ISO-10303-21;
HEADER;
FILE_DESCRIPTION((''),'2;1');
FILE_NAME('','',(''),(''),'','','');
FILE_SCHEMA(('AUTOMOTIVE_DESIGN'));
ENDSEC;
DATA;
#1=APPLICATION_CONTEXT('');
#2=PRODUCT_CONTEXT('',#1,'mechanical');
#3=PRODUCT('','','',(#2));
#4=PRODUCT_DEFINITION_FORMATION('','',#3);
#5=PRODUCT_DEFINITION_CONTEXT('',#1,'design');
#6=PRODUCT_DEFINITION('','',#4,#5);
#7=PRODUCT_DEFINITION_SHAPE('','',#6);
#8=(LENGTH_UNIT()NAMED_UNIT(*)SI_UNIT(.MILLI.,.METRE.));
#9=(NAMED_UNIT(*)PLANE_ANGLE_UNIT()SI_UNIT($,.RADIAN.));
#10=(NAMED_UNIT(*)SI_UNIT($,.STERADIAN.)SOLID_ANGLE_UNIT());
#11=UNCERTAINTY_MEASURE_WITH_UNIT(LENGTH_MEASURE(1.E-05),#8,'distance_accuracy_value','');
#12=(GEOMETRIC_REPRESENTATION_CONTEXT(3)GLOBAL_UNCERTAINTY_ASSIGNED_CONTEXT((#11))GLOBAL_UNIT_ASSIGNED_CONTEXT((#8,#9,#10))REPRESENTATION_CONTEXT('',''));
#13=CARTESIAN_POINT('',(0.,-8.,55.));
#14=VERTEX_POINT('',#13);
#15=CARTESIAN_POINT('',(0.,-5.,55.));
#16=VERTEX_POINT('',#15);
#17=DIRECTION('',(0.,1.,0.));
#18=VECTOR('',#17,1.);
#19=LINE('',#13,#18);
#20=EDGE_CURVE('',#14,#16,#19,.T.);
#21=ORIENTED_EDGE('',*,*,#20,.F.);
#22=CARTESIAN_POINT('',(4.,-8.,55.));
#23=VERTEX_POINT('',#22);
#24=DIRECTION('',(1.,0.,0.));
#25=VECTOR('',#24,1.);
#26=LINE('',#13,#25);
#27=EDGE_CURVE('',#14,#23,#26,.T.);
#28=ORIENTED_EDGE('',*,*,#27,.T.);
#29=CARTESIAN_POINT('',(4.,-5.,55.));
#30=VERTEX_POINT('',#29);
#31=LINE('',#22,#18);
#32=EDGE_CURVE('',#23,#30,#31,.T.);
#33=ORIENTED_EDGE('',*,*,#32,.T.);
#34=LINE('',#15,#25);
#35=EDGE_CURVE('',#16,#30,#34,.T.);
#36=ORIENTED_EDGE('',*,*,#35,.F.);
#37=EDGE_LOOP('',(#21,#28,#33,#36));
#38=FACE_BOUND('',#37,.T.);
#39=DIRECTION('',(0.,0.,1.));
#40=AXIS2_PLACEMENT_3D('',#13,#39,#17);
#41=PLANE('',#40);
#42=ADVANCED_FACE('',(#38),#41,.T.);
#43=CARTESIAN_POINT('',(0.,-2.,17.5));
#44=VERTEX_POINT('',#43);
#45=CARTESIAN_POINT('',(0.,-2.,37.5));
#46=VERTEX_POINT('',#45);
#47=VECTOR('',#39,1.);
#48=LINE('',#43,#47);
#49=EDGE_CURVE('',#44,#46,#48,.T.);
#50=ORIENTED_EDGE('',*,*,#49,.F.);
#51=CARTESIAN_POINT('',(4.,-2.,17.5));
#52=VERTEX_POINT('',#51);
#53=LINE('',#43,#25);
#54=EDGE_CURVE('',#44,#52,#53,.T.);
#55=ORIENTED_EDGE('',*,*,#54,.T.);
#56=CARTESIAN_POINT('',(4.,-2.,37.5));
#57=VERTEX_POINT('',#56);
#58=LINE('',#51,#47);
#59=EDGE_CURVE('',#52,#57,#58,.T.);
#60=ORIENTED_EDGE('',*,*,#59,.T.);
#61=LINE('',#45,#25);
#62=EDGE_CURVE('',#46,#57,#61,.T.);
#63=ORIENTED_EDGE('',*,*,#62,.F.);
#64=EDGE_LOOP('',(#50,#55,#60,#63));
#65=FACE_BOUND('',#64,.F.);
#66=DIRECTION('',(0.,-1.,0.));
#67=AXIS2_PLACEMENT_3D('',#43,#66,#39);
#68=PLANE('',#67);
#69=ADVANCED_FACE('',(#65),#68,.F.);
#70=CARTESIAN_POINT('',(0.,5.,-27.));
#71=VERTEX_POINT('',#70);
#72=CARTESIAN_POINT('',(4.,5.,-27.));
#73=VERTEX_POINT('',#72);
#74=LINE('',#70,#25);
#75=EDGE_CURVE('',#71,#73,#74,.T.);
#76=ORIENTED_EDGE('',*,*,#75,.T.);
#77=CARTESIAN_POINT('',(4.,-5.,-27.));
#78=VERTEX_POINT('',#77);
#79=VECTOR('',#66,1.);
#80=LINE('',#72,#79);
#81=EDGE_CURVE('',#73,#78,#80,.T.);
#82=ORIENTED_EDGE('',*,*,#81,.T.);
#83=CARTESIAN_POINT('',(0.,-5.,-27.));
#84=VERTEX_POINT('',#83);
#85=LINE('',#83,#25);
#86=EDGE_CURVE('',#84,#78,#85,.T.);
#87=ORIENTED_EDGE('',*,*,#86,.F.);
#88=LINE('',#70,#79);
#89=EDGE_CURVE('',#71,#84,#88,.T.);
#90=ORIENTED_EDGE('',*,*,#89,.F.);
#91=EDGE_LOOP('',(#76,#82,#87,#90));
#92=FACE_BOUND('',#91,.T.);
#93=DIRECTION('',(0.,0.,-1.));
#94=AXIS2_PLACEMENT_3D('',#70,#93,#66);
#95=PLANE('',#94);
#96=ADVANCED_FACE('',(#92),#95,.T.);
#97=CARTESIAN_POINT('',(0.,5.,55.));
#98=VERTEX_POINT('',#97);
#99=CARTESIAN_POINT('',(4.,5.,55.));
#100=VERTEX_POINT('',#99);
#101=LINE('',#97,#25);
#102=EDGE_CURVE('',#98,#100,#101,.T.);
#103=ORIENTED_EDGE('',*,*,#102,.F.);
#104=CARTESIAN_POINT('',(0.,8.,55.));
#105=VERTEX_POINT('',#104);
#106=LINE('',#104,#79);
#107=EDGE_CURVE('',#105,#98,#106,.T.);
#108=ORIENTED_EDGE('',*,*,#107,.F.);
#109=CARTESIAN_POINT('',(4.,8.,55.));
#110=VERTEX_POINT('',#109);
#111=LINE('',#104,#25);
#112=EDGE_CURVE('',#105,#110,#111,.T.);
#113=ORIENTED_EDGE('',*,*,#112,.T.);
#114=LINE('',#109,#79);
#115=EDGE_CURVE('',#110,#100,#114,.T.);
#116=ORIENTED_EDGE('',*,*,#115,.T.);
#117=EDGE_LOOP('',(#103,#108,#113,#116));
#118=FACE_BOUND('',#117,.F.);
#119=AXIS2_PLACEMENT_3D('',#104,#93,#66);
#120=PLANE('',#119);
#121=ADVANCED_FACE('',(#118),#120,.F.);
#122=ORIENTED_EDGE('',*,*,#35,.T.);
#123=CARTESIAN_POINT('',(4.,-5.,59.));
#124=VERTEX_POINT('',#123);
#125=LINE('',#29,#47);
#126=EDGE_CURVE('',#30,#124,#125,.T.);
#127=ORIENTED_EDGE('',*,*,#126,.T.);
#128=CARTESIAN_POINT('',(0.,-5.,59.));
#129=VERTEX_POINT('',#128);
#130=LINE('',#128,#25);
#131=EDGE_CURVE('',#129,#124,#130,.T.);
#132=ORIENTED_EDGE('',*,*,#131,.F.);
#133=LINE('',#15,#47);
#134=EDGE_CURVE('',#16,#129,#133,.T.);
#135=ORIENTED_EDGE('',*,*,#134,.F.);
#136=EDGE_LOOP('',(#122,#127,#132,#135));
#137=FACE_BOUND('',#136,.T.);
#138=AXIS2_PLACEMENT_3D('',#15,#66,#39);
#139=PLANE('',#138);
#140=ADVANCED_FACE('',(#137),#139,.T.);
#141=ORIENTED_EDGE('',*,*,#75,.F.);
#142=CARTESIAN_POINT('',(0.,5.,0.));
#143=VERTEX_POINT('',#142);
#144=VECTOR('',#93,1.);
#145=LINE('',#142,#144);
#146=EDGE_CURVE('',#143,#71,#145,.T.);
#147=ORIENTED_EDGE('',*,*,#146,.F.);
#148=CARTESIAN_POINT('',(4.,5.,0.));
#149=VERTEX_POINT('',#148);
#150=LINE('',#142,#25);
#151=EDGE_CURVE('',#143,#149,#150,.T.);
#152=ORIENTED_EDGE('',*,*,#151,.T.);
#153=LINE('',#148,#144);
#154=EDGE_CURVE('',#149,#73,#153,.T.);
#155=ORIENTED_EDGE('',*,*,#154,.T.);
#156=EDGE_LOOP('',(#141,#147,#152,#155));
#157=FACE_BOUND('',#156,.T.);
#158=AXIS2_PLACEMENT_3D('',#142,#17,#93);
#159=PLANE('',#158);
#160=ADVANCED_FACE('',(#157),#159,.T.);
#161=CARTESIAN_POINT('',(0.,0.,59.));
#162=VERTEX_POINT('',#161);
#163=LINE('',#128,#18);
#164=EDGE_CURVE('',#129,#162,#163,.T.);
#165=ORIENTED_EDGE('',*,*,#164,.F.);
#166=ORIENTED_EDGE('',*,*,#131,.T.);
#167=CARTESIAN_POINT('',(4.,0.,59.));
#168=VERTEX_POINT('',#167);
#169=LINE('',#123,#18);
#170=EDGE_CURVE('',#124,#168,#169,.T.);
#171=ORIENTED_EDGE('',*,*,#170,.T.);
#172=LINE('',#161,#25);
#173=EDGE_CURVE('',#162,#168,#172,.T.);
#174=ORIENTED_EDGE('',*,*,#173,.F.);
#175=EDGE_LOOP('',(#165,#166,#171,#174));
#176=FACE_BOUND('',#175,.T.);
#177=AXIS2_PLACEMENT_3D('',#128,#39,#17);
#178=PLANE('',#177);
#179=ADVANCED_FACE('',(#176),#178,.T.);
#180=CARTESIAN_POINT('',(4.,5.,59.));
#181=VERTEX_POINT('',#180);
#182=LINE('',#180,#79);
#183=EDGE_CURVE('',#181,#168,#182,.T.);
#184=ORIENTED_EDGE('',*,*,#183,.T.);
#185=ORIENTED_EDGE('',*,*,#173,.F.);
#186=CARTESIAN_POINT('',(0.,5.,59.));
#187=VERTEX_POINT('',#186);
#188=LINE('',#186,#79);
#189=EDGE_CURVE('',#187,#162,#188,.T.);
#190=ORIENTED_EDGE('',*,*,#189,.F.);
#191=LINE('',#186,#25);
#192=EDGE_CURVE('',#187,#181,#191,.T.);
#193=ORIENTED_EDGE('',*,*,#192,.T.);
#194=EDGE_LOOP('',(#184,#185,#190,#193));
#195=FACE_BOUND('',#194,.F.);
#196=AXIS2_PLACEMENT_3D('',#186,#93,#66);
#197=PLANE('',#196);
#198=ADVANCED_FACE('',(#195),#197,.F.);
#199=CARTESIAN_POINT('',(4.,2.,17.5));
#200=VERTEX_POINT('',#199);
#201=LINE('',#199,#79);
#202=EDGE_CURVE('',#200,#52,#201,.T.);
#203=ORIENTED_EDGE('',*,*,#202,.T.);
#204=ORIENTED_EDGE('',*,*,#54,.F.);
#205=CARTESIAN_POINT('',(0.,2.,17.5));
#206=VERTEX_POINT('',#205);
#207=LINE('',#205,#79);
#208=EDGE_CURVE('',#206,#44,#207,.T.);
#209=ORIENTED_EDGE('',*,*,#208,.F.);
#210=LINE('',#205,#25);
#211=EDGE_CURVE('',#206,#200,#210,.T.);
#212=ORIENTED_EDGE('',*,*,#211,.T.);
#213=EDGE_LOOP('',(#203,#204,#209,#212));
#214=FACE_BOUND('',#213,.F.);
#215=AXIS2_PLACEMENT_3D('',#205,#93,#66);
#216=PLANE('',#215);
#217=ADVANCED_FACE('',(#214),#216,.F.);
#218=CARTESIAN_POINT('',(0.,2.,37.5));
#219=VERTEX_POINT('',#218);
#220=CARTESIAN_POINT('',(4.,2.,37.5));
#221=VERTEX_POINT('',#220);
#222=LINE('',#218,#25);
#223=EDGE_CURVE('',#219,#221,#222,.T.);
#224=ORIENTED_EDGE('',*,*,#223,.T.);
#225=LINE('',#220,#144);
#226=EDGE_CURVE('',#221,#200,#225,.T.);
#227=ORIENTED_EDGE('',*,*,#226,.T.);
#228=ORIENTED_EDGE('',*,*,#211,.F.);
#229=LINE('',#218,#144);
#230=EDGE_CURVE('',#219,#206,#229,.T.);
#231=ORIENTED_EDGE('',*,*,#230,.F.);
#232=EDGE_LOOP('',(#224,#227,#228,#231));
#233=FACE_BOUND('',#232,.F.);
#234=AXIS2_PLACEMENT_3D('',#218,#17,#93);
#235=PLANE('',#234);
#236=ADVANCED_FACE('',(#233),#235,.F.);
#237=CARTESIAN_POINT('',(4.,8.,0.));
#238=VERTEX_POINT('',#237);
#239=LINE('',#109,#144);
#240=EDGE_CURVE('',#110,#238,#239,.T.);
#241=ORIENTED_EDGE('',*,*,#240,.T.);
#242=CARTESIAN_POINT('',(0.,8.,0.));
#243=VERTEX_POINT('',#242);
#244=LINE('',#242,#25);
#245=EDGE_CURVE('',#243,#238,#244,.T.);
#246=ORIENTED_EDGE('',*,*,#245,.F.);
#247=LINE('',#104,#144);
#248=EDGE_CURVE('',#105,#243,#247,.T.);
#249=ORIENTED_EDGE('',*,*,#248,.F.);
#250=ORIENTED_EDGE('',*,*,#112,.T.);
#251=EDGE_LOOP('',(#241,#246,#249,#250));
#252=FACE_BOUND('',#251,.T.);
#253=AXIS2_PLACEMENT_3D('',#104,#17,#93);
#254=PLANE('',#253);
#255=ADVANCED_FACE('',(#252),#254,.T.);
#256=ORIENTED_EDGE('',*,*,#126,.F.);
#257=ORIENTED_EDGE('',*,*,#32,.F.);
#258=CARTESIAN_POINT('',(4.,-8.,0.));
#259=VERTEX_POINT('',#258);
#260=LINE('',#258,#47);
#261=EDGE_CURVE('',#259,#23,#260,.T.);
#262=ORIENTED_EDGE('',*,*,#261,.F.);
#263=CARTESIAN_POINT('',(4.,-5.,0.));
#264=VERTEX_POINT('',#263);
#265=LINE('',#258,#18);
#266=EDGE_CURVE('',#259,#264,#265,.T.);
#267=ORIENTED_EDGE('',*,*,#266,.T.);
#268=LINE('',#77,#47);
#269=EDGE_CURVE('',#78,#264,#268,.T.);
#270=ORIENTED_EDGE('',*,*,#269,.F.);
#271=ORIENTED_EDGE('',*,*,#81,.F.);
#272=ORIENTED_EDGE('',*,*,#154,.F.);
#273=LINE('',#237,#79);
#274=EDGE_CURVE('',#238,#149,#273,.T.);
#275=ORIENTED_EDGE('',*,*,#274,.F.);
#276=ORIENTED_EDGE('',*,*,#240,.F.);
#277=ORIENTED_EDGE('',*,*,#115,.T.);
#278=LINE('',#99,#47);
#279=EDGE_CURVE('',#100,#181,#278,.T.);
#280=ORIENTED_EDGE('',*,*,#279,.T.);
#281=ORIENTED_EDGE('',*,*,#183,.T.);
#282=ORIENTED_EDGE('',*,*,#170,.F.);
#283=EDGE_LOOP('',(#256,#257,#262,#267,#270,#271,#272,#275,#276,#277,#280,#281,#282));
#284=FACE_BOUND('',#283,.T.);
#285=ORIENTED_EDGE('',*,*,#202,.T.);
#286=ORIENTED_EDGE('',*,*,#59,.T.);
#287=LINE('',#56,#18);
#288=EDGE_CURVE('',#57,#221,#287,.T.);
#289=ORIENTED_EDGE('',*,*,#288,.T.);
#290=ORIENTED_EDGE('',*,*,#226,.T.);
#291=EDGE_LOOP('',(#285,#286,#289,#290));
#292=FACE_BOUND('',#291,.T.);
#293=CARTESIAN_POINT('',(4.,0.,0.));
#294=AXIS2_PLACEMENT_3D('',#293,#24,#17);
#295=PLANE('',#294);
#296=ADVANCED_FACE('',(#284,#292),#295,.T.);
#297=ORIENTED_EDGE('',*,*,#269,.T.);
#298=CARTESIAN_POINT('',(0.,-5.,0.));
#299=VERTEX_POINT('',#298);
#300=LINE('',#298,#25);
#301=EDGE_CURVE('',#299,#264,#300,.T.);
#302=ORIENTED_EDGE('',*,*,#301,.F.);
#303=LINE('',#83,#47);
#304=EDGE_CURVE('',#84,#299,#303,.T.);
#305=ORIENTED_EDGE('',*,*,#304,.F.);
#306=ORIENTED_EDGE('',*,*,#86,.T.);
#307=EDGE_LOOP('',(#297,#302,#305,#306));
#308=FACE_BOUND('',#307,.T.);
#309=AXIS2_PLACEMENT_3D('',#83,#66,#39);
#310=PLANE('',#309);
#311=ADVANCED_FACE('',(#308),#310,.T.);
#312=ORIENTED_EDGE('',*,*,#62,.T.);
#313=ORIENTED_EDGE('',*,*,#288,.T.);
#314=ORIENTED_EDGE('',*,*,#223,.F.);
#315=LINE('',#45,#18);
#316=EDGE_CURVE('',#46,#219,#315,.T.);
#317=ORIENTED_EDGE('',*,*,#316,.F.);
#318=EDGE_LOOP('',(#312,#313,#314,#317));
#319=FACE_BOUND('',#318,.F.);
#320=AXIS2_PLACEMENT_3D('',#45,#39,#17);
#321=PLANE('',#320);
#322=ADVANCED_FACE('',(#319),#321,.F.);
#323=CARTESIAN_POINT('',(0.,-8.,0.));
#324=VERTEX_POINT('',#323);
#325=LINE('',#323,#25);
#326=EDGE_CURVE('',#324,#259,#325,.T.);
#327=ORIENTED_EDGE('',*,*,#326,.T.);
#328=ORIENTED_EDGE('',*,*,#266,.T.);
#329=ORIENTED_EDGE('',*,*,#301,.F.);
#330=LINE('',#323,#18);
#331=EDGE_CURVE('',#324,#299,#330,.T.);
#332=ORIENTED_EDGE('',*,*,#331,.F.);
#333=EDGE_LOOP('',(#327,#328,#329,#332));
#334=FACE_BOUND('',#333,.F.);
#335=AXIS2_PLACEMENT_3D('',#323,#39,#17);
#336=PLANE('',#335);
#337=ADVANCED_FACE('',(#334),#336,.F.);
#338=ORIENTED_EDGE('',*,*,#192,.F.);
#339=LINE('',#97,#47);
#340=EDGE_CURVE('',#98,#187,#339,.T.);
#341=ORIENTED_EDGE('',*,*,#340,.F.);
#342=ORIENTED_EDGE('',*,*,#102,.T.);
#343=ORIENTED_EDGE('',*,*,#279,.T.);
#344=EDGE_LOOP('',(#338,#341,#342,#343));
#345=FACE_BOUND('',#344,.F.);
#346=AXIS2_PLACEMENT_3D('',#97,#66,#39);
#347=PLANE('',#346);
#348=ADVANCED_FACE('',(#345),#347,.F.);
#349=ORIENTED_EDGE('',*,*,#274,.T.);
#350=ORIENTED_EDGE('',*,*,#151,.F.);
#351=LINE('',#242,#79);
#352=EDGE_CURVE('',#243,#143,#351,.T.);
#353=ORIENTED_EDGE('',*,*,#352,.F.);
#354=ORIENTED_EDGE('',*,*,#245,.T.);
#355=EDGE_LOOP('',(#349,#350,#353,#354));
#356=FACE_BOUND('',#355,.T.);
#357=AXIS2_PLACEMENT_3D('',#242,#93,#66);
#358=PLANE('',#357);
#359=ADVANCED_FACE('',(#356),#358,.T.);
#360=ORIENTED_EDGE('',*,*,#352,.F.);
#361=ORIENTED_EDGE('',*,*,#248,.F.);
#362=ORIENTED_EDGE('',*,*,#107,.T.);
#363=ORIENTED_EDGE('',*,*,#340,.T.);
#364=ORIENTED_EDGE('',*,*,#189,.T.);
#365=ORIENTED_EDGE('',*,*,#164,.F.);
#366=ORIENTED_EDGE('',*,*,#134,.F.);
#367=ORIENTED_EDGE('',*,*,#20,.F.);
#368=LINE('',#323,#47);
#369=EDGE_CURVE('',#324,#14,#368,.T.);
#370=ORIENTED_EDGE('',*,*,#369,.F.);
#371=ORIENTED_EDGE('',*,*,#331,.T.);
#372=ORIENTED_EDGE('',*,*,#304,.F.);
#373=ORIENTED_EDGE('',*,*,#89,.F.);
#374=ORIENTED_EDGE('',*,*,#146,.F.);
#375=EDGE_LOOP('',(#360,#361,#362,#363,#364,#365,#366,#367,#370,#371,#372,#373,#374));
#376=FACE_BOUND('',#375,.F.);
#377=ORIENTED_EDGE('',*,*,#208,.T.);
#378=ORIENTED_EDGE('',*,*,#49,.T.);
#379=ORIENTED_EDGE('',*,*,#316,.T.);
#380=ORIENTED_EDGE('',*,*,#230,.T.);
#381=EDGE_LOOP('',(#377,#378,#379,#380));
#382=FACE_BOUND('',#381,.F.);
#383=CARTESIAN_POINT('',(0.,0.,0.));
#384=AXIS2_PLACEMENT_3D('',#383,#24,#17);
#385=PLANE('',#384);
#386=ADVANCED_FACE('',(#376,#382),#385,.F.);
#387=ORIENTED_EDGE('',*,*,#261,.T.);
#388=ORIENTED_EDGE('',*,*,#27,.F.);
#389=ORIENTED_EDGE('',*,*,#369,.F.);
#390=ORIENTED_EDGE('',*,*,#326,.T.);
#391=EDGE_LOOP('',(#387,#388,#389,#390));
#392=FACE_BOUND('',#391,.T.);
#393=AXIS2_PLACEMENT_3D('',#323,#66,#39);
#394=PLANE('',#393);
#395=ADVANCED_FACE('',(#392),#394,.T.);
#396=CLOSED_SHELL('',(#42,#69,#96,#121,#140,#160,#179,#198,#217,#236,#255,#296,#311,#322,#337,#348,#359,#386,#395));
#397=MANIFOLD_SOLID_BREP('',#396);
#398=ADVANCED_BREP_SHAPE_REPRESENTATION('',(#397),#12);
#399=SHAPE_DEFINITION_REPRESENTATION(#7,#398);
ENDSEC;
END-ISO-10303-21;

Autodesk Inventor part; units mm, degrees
ref_plane "YZ Plane" through (0, 0, 0) normal (1, 0, 0) x (0, 1, 0)
ref_plane "XZ Plane" through (0, 0, 0) normal (0, 1, 0) x (-1, 0, 0)
ref_plane "XY Plane" through (0, 0, 0) normal (0, 0, 1) x (1, 0, 0)
sketch "Эскиз1" plane through (0, 0, 0) normal (1, 0, 0) x (0, 1, 0)
  line L0 (-8, 55) -> (8, 55) construction
  line L1 (8, 55) -> (8, 0)
  line L2 (8, 0) -> (-8, 0) construction
  line L3 (-8, 0) -> (-8, 55)
  line L4 (8, 0) -> (5, 0)
  line L5 (5, 0) -> (5, -27)
  line L6 (5, -27) -> (-5, -27)
  line L7 (-5, -27) -> (-5, 0)
  line L8 (-8, 0) -> (-5, 0)
  line L9 (0, 59) -> (0, -27) construction
  line L10 (8, 55) -> (5, 55)
  line L11 (5, 55) -> (5, 59)
  line L12 (5, 59) -> (0, 59)
  line L13 (-8, 55) -> (-5, 55)
  line L14 (-5, 55) -> (-5, 59)
  line L15 (-5, 59) -> (0, 59)
  line L16 (-2, 37.5) -> (2, 37.5)
  line L17 (2, 37.5) -> (2, 17.5)
  line L18 (2, 17.5) -> (-2, 17.5)
  line L19 (-2, 17.5) -> (-2, 37.5)
  point P0 (0, 0)
  point P1 (2, 27.5)
  point P2 (8, 27.5)
  point P3 (0, 37.5)
  dimension "d0" = 10
  dimension "d1" = 16
  dimension "d2" = 27
  dimension "d3" = 55
  dimension "d4" = 4
  dimension "d7" = 20
  dimension "d8" = 4
extrude "Выдавливание2" add sketch "Эскиз1" along normal blind 4
properties part number "PistonPart4" material "Дерево (вишня)"
